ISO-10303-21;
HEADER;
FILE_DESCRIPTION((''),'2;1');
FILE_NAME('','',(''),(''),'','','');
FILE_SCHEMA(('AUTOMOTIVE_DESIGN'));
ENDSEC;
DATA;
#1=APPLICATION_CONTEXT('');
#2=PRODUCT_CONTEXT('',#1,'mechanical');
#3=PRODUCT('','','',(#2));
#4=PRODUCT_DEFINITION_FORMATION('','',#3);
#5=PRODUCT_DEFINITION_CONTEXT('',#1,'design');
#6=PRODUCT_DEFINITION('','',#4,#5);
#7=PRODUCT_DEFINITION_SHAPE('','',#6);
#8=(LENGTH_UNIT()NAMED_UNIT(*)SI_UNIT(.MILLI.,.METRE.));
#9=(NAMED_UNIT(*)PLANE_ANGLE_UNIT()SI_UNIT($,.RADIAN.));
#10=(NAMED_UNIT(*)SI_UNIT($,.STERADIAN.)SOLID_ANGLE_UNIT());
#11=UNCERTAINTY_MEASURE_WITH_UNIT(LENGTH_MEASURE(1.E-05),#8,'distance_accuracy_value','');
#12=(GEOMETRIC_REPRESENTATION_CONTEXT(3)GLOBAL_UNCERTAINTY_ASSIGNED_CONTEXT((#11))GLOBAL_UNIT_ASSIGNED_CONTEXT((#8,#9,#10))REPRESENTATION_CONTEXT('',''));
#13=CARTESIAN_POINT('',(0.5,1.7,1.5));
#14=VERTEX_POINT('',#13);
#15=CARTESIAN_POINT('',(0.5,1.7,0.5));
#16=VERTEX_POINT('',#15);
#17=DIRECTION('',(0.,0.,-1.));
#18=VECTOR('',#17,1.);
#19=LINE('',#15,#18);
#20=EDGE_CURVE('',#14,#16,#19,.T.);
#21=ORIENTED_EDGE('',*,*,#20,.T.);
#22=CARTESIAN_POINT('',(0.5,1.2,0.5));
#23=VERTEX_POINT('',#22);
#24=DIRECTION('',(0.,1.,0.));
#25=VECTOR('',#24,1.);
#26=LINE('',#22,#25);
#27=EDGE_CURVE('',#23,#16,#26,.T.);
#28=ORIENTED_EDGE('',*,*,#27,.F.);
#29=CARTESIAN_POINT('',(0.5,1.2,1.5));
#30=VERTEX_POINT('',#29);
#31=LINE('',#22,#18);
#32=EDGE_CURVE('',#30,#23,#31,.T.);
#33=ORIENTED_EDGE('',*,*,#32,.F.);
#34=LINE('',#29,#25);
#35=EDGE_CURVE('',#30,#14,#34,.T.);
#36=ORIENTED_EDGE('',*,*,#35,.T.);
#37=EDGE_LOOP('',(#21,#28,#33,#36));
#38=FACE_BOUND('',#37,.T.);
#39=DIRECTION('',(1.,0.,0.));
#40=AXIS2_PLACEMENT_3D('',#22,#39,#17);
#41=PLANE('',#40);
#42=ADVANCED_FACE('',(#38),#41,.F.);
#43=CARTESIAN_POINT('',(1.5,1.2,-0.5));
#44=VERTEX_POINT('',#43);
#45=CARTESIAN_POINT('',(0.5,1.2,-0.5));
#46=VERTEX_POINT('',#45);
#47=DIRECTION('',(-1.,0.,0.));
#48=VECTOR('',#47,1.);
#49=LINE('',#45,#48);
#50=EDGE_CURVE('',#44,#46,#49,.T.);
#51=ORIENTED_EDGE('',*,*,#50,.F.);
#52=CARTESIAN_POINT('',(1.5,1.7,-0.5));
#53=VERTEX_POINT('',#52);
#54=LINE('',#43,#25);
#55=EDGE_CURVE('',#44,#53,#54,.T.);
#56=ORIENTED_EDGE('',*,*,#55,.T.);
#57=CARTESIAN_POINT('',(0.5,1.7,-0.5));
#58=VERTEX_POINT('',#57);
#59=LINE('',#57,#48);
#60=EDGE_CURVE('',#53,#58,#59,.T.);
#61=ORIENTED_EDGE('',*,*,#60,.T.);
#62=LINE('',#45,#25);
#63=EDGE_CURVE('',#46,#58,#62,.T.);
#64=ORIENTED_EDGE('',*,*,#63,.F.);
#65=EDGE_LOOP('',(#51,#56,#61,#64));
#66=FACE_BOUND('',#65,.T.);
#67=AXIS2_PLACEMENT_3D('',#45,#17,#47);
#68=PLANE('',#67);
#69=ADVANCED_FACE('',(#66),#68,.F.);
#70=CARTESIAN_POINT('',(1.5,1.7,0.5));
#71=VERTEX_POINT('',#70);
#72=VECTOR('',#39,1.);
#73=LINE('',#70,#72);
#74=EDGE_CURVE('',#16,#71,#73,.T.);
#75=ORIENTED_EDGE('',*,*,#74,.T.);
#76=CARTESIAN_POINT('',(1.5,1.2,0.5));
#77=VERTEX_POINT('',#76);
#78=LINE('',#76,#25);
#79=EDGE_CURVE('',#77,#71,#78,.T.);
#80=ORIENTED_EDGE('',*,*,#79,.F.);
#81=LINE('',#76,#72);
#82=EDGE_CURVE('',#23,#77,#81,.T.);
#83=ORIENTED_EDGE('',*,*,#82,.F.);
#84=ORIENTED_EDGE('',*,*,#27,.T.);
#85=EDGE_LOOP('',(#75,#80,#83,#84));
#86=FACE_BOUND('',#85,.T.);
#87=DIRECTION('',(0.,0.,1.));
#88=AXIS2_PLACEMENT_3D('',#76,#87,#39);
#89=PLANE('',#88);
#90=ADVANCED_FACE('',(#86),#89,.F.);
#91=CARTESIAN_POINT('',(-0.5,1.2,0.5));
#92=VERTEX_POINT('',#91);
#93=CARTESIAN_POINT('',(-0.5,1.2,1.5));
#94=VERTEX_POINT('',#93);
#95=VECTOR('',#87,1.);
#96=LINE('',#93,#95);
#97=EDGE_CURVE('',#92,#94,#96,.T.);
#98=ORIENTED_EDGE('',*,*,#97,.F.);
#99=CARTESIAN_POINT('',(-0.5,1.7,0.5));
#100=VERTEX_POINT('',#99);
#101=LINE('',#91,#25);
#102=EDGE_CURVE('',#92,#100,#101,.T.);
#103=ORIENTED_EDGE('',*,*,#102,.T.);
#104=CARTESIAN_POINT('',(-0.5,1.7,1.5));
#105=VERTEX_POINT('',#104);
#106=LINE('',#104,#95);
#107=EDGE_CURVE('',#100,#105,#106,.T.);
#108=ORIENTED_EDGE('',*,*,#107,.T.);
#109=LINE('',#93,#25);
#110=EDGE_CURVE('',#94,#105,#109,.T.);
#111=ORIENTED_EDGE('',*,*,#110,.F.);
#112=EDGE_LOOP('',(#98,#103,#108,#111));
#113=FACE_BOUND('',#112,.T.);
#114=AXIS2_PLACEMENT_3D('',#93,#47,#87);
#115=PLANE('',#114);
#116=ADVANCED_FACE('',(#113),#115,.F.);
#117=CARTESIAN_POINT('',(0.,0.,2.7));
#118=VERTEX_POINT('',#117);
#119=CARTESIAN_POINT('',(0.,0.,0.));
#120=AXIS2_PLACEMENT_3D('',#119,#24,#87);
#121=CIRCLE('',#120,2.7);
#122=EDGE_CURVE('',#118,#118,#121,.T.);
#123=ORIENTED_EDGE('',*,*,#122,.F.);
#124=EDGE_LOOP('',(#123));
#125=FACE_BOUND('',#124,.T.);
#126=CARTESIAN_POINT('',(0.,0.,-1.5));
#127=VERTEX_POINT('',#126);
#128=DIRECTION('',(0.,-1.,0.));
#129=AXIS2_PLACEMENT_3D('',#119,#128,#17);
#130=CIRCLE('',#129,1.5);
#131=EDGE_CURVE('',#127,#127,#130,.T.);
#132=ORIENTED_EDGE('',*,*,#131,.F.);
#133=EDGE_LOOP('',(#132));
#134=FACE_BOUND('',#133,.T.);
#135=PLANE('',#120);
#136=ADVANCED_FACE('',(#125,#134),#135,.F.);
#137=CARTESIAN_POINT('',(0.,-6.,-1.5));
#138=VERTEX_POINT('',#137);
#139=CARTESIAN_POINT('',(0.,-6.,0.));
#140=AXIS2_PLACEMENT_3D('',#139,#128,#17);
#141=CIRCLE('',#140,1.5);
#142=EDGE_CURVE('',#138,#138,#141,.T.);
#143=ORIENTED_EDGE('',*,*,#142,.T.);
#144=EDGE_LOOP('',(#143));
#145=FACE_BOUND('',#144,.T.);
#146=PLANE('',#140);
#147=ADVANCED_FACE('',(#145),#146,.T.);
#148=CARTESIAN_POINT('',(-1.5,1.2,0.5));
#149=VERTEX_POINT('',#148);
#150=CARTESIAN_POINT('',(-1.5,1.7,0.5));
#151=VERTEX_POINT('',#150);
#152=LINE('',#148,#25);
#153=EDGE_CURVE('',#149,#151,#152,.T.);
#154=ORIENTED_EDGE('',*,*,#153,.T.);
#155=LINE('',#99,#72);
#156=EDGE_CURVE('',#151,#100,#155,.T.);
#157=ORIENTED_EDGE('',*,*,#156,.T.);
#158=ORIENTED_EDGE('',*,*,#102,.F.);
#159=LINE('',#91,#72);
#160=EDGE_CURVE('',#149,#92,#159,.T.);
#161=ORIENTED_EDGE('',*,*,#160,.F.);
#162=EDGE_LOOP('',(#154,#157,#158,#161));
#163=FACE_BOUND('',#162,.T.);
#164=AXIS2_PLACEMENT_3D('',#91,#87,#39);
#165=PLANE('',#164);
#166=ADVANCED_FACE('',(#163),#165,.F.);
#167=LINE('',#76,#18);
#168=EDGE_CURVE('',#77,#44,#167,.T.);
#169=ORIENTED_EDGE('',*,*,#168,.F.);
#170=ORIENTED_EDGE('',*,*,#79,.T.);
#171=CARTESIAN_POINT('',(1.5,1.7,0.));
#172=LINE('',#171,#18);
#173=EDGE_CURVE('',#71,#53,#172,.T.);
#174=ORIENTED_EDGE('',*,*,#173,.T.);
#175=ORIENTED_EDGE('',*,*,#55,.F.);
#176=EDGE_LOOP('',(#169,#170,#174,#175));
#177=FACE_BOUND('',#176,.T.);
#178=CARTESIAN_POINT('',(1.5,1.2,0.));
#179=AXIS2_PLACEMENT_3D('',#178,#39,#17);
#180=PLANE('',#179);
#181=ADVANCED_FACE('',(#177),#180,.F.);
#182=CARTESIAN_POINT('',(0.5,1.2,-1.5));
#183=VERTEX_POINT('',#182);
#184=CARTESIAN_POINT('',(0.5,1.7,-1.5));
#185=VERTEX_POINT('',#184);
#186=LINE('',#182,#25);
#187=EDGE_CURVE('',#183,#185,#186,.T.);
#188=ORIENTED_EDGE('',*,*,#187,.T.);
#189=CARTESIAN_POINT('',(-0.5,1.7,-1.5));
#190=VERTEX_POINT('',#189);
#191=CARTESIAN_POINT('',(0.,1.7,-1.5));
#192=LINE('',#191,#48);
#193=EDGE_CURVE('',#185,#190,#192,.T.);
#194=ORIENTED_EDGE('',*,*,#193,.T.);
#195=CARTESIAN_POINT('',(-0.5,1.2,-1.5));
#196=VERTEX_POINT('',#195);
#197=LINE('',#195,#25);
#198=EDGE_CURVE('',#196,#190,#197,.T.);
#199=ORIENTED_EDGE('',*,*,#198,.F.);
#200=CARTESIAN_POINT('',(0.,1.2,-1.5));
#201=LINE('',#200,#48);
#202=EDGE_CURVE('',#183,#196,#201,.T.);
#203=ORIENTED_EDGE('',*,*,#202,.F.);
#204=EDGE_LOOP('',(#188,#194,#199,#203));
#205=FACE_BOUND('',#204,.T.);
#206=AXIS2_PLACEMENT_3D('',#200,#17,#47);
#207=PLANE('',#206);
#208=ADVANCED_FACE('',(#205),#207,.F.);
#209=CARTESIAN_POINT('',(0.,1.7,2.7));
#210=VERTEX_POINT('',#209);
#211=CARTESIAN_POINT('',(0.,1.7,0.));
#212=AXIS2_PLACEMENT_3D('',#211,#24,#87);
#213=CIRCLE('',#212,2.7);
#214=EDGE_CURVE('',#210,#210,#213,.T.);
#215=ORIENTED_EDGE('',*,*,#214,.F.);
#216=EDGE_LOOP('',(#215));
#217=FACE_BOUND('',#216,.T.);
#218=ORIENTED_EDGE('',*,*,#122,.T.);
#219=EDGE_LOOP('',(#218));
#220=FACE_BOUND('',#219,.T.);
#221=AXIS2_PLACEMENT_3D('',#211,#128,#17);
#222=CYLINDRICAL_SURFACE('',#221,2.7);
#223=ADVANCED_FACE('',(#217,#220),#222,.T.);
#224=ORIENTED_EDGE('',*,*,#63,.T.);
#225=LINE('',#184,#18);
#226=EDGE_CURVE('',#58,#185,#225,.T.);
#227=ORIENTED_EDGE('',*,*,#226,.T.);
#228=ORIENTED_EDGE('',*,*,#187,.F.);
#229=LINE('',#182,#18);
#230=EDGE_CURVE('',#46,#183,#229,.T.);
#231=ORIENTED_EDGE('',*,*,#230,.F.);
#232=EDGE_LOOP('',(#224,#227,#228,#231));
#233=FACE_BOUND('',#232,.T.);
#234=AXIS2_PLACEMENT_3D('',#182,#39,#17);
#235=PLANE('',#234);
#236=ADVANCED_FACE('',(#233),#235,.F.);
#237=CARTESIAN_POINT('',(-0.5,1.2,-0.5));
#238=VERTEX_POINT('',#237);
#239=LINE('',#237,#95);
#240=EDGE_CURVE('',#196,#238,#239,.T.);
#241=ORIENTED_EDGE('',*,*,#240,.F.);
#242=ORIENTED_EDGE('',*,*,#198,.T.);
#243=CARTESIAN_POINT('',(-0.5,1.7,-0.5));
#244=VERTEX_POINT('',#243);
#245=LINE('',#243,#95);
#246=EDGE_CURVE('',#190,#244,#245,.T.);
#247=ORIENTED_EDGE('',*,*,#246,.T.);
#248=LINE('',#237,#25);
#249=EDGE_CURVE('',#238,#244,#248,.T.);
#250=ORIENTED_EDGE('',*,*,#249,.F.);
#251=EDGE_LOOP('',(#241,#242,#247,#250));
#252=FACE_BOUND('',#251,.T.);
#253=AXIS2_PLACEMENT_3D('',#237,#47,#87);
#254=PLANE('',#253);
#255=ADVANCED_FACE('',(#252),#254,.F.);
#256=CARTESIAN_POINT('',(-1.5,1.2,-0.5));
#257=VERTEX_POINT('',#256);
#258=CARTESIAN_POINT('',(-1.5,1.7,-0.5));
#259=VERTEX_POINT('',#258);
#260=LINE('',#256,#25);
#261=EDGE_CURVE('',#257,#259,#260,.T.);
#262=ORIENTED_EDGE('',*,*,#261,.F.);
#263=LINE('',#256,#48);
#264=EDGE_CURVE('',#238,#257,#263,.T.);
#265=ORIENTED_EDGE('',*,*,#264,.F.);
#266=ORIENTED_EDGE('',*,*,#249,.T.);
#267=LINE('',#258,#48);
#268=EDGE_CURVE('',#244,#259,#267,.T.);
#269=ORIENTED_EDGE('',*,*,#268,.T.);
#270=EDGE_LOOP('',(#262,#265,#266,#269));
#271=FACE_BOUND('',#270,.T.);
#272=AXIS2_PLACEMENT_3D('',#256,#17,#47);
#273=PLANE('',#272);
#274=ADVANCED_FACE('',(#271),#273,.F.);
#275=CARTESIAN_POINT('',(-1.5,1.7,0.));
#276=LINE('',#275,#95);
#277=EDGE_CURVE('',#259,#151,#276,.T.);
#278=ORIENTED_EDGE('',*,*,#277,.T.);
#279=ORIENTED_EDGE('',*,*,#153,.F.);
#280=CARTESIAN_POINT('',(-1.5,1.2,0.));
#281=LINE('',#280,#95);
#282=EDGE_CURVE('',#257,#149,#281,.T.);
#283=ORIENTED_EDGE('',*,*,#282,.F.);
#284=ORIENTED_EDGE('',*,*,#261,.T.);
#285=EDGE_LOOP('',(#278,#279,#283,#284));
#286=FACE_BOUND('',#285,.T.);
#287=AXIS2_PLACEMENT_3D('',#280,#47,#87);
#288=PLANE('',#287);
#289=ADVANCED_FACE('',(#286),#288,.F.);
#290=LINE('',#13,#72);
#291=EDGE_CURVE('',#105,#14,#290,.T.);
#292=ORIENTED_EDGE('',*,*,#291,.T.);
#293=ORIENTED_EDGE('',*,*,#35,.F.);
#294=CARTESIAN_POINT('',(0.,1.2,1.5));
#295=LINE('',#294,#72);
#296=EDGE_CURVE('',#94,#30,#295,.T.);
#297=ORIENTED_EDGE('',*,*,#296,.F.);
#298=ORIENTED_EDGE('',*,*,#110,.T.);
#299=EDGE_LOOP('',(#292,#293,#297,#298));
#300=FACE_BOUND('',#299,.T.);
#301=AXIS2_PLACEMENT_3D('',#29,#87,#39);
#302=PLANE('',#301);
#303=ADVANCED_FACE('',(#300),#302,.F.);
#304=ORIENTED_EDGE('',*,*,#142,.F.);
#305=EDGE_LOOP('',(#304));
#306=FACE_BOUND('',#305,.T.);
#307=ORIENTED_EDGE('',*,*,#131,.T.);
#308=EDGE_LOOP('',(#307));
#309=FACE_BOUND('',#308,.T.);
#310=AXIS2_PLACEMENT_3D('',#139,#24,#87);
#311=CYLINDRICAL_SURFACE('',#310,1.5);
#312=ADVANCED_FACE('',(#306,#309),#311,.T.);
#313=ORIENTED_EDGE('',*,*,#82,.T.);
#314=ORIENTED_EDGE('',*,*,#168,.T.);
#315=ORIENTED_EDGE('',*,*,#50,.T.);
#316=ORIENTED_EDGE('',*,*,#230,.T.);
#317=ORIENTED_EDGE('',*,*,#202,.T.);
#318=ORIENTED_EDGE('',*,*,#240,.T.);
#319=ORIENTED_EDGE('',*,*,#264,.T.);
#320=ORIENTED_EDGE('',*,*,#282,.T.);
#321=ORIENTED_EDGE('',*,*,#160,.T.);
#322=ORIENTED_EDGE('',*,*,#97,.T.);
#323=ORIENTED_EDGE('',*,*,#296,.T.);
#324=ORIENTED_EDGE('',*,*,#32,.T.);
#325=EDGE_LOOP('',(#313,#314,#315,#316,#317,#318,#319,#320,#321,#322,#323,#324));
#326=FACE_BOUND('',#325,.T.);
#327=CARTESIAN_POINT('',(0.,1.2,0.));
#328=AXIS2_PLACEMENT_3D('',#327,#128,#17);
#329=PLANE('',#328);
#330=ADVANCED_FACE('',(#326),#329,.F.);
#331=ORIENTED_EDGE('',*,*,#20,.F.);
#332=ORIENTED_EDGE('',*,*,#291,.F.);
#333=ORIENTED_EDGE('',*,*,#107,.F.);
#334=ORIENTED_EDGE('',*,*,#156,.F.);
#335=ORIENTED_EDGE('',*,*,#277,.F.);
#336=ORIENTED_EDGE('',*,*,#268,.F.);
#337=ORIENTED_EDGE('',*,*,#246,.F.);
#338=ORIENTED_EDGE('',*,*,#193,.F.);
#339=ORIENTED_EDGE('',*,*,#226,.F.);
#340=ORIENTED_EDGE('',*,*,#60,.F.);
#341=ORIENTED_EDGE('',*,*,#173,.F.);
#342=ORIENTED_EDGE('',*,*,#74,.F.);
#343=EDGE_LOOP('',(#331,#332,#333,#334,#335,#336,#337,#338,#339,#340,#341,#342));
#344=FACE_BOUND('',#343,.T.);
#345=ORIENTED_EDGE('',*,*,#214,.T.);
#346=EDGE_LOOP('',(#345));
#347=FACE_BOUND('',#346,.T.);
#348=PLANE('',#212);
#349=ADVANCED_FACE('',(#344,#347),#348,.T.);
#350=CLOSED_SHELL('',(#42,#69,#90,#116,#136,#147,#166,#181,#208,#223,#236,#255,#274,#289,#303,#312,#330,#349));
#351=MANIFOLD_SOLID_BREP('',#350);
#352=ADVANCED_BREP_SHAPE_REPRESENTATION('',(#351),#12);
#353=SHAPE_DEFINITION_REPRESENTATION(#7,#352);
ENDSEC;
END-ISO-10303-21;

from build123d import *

# Parameters (mm, degrees)
SKETCH_1_R          = 2.7
EXTRUDE_1_DEPTH     = 1.7
CUT_EXTRUDE_1_DEPTH = 0.5
SKETCH_3_R          = 1.5
EXTRUDE_2_DEPTH     = 6


with BuildPart() as part:
    # 草图1 → 凸台-拉伸1 (new body)
    with BuildSketch(Plane(origin=(0, 0, 0), x_dir=(1, 0, 0), z_dir=(0, 1, 0))):
        with Locations(Location((0, 0, 0), (0, 0, 270))):
            Circle(SKETCH_1_R)
    extrude(amount=EXTRUDE_1_DEPTH)

    # 草图2 → 切除-拉伸1 (cut)
    with BuildSketch(Plane(origin=(0, 1.7, 0), x_dir=(1, 0, 0), z_dir=(0, 1, 0))):
        Polygon((0, 1.5), (0.5, 1.5), (0.5, 0.5), (1.5, 0.5), (1.5, 0), (1.5, -0.5), (0.5, -0.5), (0.5, -1.5), (0, -1.5), (-0.5, -1.5), (-0.5, -0.5), (-1.5, -0.5), (-1.5, 0), (-1.5, 0.5), (-0.5, 0.5), (-0.5, 1.5), align=None)
    extrude(amount=-CUT_EXTRUDE_1_DEPTH, mode=Mode.SUBTRACT)

    # 草图3 → 凸台-拉伸2 (add)
    with BuildSketch(Plane.XZ):
        with Locations(Location((0, 0, 0), (0, 0, 270))):
            Circle(SKETCH_3_R)
    extrude(amount=EXTRUDE_2_DEPTH)


solid = part.part
